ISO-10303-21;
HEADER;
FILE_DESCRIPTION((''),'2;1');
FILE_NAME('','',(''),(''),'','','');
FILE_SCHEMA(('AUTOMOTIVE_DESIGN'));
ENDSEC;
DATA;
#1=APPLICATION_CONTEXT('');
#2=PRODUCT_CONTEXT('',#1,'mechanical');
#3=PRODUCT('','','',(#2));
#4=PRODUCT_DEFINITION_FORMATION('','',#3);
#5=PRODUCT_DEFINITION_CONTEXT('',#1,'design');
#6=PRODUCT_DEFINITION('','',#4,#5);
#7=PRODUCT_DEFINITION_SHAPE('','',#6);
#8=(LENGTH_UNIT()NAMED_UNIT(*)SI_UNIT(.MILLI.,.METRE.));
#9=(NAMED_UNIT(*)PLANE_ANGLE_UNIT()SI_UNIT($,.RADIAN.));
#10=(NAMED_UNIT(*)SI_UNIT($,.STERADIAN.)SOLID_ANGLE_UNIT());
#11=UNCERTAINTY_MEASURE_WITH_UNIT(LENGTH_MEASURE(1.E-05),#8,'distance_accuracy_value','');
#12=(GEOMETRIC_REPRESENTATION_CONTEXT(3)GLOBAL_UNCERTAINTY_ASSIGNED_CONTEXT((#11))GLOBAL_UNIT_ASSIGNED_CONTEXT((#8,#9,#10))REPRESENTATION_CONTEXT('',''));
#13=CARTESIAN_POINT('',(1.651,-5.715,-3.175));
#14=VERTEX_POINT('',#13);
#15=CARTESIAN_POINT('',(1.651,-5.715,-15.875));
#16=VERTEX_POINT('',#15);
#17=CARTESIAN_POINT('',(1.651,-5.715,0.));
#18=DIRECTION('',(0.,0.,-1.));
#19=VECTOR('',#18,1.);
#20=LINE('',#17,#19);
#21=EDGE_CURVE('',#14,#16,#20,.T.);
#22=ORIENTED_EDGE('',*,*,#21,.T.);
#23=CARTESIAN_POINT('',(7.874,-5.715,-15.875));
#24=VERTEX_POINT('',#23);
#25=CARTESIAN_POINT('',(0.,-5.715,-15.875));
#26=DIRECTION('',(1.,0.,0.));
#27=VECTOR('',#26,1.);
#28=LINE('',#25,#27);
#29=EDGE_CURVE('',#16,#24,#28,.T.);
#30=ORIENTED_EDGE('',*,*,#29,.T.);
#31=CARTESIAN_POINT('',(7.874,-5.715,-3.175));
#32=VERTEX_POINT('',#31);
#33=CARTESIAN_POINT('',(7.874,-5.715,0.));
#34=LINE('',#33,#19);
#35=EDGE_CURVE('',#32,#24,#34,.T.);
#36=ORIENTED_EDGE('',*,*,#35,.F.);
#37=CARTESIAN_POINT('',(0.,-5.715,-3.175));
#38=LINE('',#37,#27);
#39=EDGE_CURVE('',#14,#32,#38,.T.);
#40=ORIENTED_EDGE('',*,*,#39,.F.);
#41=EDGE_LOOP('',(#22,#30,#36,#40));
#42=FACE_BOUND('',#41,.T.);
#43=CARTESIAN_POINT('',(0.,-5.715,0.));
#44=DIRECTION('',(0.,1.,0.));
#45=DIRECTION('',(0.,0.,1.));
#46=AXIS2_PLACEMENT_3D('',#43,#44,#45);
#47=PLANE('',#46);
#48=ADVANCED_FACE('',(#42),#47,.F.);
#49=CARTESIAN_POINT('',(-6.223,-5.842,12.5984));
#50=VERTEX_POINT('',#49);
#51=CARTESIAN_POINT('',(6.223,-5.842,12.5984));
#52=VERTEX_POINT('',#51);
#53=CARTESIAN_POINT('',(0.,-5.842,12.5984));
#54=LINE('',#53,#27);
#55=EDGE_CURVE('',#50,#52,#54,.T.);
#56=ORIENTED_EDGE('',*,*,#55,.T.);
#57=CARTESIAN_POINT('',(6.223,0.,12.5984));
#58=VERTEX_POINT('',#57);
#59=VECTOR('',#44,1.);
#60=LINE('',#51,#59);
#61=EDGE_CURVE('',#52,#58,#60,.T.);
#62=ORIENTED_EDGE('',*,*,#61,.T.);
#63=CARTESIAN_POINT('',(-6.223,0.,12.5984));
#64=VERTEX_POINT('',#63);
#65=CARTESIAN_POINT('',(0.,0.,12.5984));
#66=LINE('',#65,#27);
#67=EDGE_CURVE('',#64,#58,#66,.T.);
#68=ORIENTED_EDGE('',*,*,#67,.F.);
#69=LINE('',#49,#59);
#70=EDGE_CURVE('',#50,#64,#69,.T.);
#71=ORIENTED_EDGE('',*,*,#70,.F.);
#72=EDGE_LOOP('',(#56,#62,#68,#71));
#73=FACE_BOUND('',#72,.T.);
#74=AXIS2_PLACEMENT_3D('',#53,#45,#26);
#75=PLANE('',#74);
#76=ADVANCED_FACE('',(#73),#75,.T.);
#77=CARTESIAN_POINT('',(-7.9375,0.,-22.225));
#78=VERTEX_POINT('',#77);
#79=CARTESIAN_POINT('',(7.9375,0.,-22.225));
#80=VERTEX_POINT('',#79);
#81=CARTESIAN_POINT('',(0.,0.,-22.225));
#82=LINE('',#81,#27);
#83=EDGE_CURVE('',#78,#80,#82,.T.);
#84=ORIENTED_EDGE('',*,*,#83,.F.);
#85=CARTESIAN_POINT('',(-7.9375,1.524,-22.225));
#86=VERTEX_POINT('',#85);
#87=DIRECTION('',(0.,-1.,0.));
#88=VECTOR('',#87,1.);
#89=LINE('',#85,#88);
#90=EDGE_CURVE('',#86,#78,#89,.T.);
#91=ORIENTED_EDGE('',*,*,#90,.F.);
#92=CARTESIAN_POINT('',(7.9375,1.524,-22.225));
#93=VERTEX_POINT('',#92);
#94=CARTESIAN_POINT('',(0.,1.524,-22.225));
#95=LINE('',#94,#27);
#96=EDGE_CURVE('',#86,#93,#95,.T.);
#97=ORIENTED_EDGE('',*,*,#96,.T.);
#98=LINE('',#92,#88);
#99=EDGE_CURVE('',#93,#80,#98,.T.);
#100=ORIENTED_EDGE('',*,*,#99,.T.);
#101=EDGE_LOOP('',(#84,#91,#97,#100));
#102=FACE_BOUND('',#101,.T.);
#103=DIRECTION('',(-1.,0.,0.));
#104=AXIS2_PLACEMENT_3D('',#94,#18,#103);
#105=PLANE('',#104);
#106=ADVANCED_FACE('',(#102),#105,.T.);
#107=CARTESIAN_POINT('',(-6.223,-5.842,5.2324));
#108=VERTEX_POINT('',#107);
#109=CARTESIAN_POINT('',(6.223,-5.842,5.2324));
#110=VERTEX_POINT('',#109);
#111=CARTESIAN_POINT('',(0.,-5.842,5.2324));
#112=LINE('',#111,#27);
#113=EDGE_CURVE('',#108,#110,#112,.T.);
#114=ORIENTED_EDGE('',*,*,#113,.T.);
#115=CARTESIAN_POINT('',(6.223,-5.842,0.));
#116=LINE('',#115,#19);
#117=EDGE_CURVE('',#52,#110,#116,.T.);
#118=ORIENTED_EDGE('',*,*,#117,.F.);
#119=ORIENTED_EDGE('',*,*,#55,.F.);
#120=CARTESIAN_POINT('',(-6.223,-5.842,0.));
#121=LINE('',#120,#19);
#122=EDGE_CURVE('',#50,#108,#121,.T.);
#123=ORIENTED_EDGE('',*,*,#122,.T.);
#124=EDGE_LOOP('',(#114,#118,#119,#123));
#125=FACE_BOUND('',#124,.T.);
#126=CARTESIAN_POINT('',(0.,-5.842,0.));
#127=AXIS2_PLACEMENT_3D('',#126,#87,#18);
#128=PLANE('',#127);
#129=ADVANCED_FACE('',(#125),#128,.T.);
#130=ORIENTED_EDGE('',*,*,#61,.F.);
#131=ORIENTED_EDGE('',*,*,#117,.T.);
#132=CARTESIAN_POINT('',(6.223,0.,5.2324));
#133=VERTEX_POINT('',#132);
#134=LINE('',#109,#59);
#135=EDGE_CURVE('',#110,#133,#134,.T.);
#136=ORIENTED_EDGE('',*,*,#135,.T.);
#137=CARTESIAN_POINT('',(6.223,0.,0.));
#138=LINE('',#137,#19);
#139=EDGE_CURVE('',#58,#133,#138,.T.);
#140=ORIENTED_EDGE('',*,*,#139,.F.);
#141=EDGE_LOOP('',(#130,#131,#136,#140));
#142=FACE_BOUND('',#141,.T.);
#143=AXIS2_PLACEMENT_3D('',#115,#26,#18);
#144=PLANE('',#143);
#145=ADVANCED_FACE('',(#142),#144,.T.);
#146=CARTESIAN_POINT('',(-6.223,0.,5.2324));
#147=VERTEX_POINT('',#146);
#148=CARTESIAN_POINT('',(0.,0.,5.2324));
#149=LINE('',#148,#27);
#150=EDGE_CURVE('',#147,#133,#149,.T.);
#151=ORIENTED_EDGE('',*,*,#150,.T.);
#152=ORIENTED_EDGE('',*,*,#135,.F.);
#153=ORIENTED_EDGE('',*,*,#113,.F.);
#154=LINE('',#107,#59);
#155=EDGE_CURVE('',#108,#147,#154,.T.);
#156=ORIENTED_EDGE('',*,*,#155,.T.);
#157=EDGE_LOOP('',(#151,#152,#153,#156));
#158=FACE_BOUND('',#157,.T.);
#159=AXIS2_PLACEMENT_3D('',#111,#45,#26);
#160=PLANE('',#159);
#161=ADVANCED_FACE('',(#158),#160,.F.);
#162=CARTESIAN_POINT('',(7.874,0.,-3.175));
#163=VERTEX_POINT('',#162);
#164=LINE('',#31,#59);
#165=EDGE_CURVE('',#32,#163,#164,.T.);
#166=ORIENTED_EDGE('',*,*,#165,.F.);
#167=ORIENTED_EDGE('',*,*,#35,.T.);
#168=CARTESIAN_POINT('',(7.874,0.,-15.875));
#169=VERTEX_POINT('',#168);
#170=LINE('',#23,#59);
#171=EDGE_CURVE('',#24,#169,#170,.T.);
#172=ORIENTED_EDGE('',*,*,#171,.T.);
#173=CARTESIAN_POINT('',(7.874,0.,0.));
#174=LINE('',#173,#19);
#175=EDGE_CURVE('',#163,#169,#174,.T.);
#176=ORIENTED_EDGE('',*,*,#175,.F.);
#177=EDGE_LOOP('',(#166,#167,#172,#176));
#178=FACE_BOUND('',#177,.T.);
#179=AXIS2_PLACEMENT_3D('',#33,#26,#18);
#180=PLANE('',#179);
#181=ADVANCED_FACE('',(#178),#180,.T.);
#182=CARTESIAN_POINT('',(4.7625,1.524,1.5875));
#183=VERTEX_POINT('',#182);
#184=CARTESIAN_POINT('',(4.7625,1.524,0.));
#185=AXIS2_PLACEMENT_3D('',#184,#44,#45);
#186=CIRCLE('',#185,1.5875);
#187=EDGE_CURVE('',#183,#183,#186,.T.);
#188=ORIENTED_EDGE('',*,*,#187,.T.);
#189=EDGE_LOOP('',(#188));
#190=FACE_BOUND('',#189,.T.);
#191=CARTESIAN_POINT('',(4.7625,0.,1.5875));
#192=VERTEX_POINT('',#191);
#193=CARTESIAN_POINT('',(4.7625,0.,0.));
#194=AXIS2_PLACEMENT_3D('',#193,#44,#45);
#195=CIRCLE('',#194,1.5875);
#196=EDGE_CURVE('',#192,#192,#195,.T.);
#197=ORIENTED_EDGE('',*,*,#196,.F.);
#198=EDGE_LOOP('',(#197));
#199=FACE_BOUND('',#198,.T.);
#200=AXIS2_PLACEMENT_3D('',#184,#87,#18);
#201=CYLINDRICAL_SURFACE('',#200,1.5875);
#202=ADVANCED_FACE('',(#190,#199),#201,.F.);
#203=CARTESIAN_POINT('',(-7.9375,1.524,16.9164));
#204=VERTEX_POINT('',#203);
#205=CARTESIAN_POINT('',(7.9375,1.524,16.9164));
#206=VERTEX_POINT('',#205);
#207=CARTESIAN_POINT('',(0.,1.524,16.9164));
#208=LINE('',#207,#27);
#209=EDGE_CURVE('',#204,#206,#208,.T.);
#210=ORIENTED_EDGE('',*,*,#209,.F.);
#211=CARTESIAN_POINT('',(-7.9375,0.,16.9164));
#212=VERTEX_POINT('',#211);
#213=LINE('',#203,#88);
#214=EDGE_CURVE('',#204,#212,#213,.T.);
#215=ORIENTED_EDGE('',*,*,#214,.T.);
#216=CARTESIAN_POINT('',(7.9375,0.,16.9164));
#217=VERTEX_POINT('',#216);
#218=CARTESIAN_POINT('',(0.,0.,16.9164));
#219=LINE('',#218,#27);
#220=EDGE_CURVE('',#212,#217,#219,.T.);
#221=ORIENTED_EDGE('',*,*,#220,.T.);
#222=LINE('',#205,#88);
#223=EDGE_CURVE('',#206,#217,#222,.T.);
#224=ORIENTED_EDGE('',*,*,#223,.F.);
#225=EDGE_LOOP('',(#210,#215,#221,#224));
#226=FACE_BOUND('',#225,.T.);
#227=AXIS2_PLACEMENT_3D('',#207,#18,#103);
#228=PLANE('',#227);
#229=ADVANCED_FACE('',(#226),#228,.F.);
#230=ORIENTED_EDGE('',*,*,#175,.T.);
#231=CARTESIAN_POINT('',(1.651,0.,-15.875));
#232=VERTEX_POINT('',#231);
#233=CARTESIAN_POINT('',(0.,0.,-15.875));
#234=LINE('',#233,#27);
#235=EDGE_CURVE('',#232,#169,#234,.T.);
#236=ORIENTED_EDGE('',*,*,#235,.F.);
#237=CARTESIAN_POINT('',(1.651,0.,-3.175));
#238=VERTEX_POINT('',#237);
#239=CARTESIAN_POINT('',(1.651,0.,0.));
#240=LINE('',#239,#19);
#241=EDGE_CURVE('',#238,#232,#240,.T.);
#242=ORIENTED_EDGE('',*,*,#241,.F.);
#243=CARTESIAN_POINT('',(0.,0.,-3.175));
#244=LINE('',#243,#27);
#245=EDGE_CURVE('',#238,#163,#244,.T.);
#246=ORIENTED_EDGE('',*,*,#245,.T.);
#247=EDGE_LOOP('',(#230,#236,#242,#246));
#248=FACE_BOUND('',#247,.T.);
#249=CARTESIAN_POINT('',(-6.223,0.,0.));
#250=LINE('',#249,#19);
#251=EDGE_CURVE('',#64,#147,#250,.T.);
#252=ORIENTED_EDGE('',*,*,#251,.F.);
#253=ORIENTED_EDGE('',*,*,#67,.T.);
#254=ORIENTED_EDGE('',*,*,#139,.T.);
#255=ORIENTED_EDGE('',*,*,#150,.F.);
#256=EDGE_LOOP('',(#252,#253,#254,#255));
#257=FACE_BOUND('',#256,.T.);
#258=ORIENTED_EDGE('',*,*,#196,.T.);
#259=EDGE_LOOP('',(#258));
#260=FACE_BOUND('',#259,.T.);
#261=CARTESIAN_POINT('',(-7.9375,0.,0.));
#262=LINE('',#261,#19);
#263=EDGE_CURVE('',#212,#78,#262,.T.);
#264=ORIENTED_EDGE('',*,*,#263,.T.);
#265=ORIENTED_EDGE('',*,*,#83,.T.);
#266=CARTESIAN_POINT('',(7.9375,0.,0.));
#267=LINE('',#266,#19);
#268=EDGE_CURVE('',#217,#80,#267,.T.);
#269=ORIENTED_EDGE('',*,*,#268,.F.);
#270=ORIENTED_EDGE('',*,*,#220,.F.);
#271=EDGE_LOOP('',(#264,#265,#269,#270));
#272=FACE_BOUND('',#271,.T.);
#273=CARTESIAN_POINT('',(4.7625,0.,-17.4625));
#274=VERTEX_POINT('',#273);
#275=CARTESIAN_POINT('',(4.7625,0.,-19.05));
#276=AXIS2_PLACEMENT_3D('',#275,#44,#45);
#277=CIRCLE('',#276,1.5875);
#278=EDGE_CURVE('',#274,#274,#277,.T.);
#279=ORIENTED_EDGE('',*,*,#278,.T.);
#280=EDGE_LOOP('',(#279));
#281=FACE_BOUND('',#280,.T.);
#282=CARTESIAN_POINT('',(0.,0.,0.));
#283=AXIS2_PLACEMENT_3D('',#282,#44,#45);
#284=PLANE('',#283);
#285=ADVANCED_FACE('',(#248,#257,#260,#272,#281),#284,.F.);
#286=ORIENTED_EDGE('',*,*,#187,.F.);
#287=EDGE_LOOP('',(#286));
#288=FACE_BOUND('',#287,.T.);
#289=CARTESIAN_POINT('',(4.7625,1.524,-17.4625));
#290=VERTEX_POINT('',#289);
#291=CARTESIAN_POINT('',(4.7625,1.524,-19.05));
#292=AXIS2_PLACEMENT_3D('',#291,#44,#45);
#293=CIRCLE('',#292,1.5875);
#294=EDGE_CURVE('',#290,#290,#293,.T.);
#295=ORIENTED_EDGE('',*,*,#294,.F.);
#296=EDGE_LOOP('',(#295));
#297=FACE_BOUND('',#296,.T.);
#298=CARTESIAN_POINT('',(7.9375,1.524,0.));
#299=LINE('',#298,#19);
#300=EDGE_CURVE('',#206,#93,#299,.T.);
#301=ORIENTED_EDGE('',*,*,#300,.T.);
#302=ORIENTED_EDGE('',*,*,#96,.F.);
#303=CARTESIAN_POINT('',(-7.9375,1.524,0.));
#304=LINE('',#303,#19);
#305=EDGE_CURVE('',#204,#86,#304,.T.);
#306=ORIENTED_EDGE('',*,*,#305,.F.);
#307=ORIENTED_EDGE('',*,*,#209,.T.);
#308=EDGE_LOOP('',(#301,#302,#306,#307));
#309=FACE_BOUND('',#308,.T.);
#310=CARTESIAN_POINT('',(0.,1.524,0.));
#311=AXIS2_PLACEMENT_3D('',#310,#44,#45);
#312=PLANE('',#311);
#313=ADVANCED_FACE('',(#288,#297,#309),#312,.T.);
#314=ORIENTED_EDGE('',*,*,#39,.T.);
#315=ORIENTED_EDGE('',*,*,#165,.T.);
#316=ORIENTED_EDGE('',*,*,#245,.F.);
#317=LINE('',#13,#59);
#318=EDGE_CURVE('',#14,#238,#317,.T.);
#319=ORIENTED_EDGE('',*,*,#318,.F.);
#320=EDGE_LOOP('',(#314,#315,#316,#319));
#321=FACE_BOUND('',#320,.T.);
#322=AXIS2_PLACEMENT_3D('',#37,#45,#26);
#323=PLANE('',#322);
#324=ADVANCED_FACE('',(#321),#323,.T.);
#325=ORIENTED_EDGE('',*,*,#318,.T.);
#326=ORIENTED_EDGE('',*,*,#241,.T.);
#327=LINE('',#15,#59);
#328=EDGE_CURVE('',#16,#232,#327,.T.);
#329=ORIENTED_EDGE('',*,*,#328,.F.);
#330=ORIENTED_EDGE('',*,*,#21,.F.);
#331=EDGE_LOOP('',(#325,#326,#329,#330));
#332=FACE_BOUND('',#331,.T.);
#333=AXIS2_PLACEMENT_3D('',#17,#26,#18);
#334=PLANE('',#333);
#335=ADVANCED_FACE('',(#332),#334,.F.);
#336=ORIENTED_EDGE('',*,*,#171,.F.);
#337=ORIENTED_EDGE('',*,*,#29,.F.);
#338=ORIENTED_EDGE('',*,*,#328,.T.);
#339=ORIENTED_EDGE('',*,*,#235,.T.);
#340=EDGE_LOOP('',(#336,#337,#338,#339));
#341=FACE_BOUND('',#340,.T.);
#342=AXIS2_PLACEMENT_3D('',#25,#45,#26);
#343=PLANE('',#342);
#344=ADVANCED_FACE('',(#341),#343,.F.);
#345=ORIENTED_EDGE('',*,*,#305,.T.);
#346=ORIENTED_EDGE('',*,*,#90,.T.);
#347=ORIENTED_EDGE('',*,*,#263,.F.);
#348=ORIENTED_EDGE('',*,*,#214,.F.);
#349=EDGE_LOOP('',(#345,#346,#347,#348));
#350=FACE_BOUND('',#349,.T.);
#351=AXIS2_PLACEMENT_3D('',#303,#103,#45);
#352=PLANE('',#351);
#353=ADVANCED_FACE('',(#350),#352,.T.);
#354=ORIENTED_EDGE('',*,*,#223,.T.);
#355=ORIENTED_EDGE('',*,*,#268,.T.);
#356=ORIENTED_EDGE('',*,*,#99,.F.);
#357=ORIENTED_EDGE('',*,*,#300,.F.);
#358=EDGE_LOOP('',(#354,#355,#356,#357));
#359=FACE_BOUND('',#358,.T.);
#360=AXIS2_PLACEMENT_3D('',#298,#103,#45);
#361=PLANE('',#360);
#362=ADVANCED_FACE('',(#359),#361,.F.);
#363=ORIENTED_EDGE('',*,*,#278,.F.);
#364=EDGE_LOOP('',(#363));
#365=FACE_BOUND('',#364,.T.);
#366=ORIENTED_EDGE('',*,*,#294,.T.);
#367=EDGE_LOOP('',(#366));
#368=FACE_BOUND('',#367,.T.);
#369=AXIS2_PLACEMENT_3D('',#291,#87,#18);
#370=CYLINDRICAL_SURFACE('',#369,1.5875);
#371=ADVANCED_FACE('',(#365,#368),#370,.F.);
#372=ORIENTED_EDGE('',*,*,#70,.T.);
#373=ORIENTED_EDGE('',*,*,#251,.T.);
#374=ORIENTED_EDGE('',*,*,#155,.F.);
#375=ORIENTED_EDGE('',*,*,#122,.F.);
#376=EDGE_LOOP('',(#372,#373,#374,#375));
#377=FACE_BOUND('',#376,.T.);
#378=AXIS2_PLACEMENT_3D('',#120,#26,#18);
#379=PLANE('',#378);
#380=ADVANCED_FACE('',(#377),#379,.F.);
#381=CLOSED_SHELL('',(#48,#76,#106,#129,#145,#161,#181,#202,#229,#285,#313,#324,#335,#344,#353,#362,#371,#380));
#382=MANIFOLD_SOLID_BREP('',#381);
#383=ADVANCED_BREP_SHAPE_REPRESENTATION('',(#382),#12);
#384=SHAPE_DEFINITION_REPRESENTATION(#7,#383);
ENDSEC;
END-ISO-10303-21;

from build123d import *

# Parameters (mm, degrees)
SKETCH1_W           = 15.875
SKETCH1_H           = 39.1414
BOSS_EXTRUDE1_DEPTH = 1.524
SKETCH1_4_W         = 6.223
SKETCH1_4_H         = 12.7
BOSS_EXTRUDE2_DEPTH = 1.524
SKETCH1_5_W         = 6.223
SKETCH1_5_H         = 12.7
BOSS_EXTRUDE3_DEPTH = 5.715
SKETCH2_W           = 12.446
SKETCH2_H           = 7.366
BOSS_EXTRUDE4_DEPTH = 5.842


with BuildPart() as part:
    # Sketch1 → Boss-Extrude1 (new body)
    with BuildSketch(Plane(origin=(0, 0, 0), x_dir=(1, 0, 0), z_dir=(0, 1, 0))):
        with Locations((0, 2.6543)):
            Rectangle(SKETCH1_W, SKETCH1_H)
        with BuildLine():
            ThreePointArc((6.35, 0), (3.639967985, -1.122532015), (4.7625, 1.5875))
            ThreePointArc((4.7625, 1.5875), (5.885032015, 1.122532015), (6.35, 0))
        make_face(mode=Mode.SUBTRACT)
        Polygon((1.651, 15.875), (4.7625, 15.875), (7.874, 15.875), (7.874, 3.175), (4.7625, 3.175), (1.651, 3.175), align=None, mode=Mode.SUBTRACT)
        with BuildLine():
            ThreePointArc((6.35, 19.05), (5.885032015, 17.927467985), (4.7625, 17.4625))
            ThreePointArc((4.7625, 17.4625), (3.639967985, 20.172532015), (6.35, 19.05))
        make_face(mode=Mode.SUBTRACT)
    extrude(amount=BOSS_EXTRUDE1_DEPTH)

    # Sketch1<4> → Boss-Extrude2 (add)
    with BuildSketch(Plane(origin=(0, 0, 0), x_dir=(1, 0, 0), z_dir=(0, 1, 0))):
        with Locations((4.7625, 9.525)):
            Rectangle(SKETCH1_4_W, SKETCH1_4_H)
    extrude(amount=BOSS_EXTRUDE2_DEPTH)

    # Sketch1<5> → Boss-Extrude3 (add)
    with BuildSketch(Plane(origin=(0, 0, 0), x_dir=(1, 0, 0), z_dir=(0, 1, 0))):
        with Locations((4.7625, 9.525)):
            Rectangle(SKETCH1_5_W, SKETCH1_5_H)
    extrude(amount=-BOSS_EXTRUDE3_DEPTH)

    # Sketch2 → Boss-Extrude4 (add)
    with BuildSketch(Plane.XZ):
        with Locations((0, 8.9154)):
            Rectangle(SKETCH2_W, SKETCH2_H)
    extrude(amount=BOSS_EXTRUDE4_DEPTH)


solid = part.part
